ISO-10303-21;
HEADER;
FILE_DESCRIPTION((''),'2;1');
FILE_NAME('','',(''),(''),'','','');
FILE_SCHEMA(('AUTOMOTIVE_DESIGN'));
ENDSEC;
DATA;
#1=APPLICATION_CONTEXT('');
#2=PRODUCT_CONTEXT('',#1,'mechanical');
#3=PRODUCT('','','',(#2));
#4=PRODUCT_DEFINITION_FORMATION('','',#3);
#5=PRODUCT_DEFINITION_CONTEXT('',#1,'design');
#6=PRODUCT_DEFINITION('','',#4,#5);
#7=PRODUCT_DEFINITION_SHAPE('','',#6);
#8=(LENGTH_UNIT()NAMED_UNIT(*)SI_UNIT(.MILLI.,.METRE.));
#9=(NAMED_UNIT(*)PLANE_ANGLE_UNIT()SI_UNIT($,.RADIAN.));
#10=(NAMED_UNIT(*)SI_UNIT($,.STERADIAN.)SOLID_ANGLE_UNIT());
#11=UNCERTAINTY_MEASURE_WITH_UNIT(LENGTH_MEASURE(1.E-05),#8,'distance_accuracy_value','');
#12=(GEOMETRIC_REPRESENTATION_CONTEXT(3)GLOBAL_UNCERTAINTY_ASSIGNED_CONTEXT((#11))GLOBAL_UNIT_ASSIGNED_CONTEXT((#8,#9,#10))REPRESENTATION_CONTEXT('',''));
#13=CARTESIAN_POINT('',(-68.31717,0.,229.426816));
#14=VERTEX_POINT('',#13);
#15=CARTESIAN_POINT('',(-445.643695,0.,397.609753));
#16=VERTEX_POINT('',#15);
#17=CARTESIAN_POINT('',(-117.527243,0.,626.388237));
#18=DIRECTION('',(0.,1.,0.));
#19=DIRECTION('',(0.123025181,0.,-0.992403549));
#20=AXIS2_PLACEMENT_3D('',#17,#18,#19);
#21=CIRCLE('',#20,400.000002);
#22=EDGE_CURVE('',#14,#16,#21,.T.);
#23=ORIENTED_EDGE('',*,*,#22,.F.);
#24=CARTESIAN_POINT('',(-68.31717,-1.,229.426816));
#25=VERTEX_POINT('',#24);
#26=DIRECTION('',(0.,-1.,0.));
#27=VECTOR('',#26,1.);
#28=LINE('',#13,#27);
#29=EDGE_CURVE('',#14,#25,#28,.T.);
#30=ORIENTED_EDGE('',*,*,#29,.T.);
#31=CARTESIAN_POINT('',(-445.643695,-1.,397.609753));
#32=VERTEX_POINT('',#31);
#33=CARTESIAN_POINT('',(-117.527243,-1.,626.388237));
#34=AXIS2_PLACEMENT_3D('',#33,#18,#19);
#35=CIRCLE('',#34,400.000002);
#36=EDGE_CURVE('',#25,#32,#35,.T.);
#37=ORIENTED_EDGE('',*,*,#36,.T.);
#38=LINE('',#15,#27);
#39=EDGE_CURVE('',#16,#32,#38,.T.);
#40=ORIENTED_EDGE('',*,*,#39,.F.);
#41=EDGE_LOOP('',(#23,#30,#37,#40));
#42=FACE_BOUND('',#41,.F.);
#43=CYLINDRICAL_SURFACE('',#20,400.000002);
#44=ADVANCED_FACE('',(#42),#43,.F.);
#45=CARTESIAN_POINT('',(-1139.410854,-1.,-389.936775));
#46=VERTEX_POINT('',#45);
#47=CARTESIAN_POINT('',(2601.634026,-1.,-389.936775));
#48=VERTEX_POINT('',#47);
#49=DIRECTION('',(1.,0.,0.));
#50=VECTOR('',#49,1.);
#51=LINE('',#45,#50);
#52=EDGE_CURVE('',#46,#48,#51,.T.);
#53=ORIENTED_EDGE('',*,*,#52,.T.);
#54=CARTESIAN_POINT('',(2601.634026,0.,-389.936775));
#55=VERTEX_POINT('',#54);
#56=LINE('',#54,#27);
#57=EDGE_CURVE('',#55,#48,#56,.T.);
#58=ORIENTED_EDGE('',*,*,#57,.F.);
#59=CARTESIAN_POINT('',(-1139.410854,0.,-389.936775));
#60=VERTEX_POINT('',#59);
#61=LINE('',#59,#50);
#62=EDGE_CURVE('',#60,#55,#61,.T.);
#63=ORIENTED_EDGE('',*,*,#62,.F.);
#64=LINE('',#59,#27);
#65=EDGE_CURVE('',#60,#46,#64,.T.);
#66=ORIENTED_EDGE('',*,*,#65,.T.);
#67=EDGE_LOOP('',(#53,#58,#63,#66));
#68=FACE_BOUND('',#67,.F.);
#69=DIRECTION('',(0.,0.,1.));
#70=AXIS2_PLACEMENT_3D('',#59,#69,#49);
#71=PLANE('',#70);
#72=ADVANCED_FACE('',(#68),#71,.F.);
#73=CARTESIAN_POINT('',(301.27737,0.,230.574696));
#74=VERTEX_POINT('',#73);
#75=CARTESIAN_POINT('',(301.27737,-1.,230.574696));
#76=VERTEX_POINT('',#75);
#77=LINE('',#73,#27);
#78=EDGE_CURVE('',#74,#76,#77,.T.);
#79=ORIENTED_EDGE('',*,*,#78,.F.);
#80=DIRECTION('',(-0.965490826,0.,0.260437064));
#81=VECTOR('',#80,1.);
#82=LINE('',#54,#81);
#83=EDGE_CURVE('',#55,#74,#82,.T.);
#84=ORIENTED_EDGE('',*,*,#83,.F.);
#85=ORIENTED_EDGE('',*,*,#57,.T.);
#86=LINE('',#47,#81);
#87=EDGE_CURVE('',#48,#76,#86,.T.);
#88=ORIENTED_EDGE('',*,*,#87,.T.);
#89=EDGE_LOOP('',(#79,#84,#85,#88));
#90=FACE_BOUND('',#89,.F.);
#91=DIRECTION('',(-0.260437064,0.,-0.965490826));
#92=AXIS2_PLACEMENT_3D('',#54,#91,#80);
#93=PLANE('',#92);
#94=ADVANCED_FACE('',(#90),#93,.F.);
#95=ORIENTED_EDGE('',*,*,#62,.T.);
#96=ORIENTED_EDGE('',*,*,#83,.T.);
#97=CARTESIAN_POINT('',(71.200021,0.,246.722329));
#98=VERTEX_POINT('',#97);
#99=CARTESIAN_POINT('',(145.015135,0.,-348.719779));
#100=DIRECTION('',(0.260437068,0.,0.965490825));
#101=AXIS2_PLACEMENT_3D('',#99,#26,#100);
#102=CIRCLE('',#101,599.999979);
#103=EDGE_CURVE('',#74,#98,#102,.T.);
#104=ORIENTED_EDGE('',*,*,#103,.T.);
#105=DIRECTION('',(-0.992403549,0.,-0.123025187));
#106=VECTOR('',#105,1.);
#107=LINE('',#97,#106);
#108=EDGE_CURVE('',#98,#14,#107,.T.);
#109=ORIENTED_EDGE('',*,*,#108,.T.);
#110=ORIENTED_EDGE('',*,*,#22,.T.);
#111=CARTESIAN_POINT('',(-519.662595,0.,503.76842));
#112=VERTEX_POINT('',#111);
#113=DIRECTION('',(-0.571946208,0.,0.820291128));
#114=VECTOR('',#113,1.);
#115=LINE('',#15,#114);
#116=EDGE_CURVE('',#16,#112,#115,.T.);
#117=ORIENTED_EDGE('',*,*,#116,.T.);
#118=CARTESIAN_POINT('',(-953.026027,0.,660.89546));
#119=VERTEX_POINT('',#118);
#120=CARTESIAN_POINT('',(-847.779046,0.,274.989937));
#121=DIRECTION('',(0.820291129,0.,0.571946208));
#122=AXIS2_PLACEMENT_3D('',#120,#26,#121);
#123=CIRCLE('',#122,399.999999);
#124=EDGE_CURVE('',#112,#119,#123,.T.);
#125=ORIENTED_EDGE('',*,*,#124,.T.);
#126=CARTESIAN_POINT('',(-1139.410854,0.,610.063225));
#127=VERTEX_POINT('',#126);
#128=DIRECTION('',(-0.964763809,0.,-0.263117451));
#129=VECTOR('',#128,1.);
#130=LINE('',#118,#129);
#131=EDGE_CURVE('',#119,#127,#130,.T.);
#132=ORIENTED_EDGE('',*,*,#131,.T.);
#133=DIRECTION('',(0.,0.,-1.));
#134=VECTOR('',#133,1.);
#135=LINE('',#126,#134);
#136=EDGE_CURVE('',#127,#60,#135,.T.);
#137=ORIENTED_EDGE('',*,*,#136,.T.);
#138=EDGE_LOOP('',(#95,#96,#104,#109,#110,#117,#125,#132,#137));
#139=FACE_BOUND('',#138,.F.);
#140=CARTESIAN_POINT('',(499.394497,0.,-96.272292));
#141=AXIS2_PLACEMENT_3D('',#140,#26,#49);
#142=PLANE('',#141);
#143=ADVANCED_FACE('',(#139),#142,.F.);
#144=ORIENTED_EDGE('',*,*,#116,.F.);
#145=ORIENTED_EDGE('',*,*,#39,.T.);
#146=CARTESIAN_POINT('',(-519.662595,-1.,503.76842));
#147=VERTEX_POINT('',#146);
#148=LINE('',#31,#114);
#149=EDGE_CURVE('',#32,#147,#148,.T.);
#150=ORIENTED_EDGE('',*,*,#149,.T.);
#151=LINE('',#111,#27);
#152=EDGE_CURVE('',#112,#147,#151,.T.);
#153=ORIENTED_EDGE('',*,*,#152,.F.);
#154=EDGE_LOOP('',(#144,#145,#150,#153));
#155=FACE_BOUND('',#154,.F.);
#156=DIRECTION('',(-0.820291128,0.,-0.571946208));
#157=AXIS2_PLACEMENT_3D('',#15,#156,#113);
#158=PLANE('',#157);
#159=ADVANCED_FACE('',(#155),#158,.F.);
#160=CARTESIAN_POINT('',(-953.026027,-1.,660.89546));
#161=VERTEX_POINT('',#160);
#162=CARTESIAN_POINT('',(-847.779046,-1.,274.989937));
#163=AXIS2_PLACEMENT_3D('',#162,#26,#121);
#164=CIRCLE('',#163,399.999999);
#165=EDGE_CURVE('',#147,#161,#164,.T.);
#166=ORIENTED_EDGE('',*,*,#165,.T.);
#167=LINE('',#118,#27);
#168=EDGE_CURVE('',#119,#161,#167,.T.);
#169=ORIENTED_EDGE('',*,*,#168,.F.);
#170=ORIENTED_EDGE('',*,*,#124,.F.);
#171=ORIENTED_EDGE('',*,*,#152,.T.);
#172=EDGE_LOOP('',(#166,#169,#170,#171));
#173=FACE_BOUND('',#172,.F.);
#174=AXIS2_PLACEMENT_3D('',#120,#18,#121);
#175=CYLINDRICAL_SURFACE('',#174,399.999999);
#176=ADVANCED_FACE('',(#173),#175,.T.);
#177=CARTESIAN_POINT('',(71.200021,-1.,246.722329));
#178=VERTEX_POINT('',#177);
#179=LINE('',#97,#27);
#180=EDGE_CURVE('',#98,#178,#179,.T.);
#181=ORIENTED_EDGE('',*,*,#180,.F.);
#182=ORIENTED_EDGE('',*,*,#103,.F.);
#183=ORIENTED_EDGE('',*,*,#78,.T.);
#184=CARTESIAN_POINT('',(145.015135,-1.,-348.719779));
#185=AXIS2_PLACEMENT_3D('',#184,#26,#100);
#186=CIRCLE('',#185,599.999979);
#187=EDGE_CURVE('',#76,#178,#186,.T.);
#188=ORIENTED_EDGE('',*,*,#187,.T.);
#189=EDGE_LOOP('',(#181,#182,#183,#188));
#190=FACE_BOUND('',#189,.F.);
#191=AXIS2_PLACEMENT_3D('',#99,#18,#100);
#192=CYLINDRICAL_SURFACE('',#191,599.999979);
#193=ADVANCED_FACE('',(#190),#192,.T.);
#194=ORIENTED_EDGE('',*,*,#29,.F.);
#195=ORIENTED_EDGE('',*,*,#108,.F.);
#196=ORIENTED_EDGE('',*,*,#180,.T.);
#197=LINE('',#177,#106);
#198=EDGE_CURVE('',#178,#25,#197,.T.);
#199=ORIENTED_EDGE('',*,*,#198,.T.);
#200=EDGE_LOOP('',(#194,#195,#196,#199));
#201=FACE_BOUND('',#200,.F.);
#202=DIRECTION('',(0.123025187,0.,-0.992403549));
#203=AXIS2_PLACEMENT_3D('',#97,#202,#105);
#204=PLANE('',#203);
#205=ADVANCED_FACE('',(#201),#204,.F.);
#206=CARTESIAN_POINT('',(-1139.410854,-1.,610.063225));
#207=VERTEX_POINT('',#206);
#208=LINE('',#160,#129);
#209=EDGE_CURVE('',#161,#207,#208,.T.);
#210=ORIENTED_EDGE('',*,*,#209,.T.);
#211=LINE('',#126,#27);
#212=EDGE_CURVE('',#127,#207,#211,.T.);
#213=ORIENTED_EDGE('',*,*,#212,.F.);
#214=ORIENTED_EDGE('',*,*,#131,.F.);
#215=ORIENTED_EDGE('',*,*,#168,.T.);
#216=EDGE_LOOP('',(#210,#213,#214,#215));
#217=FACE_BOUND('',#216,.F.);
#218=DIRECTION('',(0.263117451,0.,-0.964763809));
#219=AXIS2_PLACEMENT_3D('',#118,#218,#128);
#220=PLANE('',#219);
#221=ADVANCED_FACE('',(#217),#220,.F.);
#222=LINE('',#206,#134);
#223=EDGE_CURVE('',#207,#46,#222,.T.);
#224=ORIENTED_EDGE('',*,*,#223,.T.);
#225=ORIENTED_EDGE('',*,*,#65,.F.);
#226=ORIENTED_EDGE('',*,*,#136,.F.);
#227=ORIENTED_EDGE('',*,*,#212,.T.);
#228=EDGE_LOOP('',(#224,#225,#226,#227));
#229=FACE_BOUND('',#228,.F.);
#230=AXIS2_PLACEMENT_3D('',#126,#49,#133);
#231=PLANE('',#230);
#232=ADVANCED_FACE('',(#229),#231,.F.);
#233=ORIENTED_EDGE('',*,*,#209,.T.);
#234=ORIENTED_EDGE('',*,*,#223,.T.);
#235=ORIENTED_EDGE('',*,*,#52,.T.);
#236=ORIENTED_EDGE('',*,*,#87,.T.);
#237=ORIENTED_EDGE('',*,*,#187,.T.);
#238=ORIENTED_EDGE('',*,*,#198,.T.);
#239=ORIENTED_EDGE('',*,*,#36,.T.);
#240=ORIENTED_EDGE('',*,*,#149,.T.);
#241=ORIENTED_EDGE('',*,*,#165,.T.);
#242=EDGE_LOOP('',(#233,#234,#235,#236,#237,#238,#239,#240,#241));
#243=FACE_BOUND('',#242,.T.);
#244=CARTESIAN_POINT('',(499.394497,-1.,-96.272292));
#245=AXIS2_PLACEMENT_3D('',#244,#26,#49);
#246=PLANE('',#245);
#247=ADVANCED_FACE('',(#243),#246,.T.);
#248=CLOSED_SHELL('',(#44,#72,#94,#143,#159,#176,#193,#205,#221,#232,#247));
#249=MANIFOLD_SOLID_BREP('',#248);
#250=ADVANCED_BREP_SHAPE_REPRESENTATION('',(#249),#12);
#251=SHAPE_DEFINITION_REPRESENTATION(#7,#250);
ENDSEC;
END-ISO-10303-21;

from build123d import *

# Parameters (mm, degrees)
F1_DEPTH = 1


with BuildPart() as f1:
    # F0 (on Front) → F1 (new body)
    with BuildSketch(Plane.XZ):
        with BuildLine():
            Line((-1139.410854, 610.063225), (-1139.410854, -389.936775))
            Line((-1139.410854, -389.936775), (2601.634026, -389.936775))
            Line((2601.634026, -389.936775), (301.27737, 230.574696))
            ThreePointArc((301.27737, 230.574696), (187.021902, 249.80792), (71.200021, 246.722329))
            Line((71.200021, 246.722329), (-68.31717, 229.426816))
            ThreePointArc((-68.31717, 229.426816), (-280.372468, 261.037127), (-445.643695, 397.609753))
            Line((-445.643695, 397.609753), (-519.662595, 503.76842))
            ThreePointArc((-519.662595, 503.76842), (-711.434164, 651.035244), (-953.026027, 660.89546))
            Line((-953.026027, 660.89546), (-1139.410854, 610.063225))
        make_face()
    extrude(amount=F1_DEPTH)


solid = f1.part
